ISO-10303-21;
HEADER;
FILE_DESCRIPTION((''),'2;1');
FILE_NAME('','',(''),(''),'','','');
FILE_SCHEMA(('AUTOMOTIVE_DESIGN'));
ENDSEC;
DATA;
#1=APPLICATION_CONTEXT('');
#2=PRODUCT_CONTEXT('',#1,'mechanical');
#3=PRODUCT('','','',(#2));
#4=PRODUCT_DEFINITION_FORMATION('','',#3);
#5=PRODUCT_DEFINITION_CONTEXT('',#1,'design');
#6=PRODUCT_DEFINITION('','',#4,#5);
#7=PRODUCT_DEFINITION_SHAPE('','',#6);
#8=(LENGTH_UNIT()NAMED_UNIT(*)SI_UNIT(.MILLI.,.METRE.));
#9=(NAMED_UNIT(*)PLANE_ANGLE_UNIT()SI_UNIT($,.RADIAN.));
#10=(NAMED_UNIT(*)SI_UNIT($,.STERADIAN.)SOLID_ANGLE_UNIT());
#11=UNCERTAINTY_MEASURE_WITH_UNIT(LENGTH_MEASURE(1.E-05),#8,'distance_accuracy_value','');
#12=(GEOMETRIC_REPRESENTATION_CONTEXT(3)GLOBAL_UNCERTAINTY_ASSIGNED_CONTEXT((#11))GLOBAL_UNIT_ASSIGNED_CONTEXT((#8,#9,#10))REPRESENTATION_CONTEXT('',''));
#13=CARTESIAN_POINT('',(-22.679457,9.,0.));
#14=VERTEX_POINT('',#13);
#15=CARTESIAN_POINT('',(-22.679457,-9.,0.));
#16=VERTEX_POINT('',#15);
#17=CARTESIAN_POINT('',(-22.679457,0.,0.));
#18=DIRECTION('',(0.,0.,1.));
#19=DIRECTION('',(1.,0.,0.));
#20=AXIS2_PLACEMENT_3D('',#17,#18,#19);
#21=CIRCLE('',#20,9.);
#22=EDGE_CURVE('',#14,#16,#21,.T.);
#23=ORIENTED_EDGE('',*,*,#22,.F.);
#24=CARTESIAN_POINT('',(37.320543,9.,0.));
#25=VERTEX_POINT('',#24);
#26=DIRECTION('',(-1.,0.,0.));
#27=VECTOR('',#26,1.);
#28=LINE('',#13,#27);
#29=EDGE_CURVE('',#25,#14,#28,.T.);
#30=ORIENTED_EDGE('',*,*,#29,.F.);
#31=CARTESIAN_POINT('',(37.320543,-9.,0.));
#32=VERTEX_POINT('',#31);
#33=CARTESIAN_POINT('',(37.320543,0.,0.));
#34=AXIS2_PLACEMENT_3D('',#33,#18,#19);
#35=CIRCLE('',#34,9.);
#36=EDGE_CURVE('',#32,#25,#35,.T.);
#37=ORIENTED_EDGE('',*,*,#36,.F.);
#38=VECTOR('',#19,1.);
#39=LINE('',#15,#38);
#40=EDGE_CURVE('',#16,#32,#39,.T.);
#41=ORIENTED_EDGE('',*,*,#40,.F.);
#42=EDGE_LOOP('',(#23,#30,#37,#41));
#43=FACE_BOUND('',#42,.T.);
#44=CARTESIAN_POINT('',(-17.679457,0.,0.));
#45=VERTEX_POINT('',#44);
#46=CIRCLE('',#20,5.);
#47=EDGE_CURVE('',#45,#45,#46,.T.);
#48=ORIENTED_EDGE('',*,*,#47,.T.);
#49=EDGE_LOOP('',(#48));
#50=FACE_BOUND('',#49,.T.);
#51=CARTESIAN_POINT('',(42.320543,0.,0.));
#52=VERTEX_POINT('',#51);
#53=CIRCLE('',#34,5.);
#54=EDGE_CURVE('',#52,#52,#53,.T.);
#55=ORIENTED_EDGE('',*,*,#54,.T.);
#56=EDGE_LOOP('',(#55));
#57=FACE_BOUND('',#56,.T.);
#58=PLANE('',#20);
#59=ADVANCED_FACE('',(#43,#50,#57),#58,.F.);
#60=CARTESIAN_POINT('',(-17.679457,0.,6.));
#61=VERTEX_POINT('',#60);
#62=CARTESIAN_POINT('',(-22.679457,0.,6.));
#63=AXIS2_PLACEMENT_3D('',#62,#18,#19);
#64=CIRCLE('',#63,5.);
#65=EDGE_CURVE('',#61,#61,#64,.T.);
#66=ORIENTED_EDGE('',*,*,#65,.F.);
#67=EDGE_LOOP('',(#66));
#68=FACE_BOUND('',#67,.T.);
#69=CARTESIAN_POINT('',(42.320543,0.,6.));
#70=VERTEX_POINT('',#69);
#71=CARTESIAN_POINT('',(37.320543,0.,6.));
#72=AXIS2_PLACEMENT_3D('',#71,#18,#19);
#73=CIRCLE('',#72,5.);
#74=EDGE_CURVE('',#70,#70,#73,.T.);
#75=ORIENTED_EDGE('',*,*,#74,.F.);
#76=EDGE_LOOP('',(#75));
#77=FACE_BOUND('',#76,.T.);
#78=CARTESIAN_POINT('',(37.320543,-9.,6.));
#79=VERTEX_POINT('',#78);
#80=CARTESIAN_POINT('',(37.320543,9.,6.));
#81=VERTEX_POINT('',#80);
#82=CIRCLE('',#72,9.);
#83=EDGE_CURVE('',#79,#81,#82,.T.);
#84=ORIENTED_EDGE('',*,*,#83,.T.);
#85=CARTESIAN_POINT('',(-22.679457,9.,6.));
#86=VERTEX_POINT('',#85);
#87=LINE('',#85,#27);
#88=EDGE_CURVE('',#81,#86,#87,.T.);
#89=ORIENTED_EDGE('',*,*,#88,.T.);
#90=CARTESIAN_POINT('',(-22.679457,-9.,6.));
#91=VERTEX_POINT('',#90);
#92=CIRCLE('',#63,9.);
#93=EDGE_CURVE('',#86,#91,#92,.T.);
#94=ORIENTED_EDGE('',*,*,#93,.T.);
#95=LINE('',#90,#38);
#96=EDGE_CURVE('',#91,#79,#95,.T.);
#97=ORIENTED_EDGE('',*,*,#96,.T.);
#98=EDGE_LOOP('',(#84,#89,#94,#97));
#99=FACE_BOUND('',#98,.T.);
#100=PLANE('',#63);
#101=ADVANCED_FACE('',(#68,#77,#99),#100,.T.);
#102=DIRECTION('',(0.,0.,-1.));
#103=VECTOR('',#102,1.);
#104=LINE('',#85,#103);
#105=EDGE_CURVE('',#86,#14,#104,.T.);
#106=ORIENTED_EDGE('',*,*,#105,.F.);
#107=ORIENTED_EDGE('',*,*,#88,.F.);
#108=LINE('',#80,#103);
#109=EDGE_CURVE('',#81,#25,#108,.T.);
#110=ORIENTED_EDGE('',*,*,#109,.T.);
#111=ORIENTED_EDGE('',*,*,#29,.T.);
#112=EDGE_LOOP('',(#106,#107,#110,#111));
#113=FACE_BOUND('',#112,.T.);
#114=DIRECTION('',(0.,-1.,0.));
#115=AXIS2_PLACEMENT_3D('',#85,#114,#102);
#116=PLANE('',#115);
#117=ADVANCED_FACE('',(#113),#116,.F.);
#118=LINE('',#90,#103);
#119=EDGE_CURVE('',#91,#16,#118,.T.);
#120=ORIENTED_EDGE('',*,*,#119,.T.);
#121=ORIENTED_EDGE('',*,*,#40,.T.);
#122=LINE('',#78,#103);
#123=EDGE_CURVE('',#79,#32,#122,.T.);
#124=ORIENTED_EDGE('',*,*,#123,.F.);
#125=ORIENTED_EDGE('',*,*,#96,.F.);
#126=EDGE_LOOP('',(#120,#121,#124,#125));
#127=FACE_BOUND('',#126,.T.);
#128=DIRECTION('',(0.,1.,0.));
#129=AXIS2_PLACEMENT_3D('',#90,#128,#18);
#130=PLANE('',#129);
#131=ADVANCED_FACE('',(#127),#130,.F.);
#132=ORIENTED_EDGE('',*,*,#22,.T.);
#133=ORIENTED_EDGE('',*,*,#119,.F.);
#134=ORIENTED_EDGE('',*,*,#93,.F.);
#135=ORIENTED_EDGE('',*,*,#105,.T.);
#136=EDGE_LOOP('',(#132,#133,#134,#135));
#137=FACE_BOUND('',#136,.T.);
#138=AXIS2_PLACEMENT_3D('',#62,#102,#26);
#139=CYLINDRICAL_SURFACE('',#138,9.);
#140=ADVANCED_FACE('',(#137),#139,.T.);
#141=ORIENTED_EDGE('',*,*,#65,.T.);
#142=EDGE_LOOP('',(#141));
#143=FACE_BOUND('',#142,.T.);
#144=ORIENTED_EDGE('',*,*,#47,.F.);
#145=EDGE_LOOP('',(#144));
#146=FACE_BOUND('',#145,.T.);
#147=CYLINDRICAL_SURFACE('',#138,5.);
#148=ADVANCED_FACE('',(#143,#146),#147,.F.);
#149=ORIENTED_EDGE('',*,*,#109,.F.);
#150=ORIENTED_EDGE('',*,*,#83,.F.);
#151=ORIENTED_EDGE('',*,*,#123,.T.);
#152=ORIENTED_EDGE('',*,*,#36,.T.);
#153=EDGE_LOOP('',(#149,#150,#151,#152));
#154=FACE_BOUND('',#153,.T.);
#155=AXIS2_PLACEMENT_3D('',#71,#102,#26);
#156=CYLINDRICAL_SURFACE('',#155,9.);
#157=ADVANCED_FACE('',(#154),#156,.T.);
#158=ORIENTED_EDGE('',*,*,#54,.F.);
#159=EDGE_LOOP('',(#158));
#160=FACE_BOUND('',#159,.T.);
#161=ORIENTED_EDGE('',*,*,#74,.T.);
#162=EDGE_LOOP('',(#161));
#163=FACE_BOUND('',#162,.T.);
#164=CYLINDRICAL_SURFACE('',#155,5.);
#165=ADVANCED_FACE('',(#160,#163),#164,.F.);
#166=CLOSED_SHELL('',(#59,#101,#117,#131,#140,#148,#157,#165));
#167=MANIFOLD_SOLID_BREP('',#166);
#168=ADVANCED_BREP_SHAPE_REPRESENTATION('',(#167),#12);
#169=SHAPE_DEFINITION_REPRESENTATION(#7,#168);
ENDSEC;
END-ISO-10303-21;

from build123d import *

# Parameters (mm, degrees)
CROQUIS1_R              = 5
SALIENTE_EXTRUIR1_DEPTH = 6


with BuildPart() as part:
    # Croquis1 → Saliente-Extruir1 (new body)
    with BuildSketch(Plane.XY):
        with BuildLine():
            Line((-22.679457404, 9), (37.320542596, 9))
            ThreePointArc((37.320542596, 9), (46.320542596, 0), (37.320542596, -9))
            Line((37.320542596, -9), (-22.679457404, -9))
            ThreePointArc((-22.679457404, -9), (-31.679457404, 0), (-22.679457404, 9))
        make_face()
        with Locations((-22.679457404, 0)):
            Circle(CROQUIS1_R, mode=Mode.SUBTRACT)
        with Locations((37.320542596, 0)):
            Circle(CROQUIS1_R, mode=Mode.SUBTRACT)
    extrude(amount=SALIENTE_EXTRUIR1_DEPTH)


solid = part.part
